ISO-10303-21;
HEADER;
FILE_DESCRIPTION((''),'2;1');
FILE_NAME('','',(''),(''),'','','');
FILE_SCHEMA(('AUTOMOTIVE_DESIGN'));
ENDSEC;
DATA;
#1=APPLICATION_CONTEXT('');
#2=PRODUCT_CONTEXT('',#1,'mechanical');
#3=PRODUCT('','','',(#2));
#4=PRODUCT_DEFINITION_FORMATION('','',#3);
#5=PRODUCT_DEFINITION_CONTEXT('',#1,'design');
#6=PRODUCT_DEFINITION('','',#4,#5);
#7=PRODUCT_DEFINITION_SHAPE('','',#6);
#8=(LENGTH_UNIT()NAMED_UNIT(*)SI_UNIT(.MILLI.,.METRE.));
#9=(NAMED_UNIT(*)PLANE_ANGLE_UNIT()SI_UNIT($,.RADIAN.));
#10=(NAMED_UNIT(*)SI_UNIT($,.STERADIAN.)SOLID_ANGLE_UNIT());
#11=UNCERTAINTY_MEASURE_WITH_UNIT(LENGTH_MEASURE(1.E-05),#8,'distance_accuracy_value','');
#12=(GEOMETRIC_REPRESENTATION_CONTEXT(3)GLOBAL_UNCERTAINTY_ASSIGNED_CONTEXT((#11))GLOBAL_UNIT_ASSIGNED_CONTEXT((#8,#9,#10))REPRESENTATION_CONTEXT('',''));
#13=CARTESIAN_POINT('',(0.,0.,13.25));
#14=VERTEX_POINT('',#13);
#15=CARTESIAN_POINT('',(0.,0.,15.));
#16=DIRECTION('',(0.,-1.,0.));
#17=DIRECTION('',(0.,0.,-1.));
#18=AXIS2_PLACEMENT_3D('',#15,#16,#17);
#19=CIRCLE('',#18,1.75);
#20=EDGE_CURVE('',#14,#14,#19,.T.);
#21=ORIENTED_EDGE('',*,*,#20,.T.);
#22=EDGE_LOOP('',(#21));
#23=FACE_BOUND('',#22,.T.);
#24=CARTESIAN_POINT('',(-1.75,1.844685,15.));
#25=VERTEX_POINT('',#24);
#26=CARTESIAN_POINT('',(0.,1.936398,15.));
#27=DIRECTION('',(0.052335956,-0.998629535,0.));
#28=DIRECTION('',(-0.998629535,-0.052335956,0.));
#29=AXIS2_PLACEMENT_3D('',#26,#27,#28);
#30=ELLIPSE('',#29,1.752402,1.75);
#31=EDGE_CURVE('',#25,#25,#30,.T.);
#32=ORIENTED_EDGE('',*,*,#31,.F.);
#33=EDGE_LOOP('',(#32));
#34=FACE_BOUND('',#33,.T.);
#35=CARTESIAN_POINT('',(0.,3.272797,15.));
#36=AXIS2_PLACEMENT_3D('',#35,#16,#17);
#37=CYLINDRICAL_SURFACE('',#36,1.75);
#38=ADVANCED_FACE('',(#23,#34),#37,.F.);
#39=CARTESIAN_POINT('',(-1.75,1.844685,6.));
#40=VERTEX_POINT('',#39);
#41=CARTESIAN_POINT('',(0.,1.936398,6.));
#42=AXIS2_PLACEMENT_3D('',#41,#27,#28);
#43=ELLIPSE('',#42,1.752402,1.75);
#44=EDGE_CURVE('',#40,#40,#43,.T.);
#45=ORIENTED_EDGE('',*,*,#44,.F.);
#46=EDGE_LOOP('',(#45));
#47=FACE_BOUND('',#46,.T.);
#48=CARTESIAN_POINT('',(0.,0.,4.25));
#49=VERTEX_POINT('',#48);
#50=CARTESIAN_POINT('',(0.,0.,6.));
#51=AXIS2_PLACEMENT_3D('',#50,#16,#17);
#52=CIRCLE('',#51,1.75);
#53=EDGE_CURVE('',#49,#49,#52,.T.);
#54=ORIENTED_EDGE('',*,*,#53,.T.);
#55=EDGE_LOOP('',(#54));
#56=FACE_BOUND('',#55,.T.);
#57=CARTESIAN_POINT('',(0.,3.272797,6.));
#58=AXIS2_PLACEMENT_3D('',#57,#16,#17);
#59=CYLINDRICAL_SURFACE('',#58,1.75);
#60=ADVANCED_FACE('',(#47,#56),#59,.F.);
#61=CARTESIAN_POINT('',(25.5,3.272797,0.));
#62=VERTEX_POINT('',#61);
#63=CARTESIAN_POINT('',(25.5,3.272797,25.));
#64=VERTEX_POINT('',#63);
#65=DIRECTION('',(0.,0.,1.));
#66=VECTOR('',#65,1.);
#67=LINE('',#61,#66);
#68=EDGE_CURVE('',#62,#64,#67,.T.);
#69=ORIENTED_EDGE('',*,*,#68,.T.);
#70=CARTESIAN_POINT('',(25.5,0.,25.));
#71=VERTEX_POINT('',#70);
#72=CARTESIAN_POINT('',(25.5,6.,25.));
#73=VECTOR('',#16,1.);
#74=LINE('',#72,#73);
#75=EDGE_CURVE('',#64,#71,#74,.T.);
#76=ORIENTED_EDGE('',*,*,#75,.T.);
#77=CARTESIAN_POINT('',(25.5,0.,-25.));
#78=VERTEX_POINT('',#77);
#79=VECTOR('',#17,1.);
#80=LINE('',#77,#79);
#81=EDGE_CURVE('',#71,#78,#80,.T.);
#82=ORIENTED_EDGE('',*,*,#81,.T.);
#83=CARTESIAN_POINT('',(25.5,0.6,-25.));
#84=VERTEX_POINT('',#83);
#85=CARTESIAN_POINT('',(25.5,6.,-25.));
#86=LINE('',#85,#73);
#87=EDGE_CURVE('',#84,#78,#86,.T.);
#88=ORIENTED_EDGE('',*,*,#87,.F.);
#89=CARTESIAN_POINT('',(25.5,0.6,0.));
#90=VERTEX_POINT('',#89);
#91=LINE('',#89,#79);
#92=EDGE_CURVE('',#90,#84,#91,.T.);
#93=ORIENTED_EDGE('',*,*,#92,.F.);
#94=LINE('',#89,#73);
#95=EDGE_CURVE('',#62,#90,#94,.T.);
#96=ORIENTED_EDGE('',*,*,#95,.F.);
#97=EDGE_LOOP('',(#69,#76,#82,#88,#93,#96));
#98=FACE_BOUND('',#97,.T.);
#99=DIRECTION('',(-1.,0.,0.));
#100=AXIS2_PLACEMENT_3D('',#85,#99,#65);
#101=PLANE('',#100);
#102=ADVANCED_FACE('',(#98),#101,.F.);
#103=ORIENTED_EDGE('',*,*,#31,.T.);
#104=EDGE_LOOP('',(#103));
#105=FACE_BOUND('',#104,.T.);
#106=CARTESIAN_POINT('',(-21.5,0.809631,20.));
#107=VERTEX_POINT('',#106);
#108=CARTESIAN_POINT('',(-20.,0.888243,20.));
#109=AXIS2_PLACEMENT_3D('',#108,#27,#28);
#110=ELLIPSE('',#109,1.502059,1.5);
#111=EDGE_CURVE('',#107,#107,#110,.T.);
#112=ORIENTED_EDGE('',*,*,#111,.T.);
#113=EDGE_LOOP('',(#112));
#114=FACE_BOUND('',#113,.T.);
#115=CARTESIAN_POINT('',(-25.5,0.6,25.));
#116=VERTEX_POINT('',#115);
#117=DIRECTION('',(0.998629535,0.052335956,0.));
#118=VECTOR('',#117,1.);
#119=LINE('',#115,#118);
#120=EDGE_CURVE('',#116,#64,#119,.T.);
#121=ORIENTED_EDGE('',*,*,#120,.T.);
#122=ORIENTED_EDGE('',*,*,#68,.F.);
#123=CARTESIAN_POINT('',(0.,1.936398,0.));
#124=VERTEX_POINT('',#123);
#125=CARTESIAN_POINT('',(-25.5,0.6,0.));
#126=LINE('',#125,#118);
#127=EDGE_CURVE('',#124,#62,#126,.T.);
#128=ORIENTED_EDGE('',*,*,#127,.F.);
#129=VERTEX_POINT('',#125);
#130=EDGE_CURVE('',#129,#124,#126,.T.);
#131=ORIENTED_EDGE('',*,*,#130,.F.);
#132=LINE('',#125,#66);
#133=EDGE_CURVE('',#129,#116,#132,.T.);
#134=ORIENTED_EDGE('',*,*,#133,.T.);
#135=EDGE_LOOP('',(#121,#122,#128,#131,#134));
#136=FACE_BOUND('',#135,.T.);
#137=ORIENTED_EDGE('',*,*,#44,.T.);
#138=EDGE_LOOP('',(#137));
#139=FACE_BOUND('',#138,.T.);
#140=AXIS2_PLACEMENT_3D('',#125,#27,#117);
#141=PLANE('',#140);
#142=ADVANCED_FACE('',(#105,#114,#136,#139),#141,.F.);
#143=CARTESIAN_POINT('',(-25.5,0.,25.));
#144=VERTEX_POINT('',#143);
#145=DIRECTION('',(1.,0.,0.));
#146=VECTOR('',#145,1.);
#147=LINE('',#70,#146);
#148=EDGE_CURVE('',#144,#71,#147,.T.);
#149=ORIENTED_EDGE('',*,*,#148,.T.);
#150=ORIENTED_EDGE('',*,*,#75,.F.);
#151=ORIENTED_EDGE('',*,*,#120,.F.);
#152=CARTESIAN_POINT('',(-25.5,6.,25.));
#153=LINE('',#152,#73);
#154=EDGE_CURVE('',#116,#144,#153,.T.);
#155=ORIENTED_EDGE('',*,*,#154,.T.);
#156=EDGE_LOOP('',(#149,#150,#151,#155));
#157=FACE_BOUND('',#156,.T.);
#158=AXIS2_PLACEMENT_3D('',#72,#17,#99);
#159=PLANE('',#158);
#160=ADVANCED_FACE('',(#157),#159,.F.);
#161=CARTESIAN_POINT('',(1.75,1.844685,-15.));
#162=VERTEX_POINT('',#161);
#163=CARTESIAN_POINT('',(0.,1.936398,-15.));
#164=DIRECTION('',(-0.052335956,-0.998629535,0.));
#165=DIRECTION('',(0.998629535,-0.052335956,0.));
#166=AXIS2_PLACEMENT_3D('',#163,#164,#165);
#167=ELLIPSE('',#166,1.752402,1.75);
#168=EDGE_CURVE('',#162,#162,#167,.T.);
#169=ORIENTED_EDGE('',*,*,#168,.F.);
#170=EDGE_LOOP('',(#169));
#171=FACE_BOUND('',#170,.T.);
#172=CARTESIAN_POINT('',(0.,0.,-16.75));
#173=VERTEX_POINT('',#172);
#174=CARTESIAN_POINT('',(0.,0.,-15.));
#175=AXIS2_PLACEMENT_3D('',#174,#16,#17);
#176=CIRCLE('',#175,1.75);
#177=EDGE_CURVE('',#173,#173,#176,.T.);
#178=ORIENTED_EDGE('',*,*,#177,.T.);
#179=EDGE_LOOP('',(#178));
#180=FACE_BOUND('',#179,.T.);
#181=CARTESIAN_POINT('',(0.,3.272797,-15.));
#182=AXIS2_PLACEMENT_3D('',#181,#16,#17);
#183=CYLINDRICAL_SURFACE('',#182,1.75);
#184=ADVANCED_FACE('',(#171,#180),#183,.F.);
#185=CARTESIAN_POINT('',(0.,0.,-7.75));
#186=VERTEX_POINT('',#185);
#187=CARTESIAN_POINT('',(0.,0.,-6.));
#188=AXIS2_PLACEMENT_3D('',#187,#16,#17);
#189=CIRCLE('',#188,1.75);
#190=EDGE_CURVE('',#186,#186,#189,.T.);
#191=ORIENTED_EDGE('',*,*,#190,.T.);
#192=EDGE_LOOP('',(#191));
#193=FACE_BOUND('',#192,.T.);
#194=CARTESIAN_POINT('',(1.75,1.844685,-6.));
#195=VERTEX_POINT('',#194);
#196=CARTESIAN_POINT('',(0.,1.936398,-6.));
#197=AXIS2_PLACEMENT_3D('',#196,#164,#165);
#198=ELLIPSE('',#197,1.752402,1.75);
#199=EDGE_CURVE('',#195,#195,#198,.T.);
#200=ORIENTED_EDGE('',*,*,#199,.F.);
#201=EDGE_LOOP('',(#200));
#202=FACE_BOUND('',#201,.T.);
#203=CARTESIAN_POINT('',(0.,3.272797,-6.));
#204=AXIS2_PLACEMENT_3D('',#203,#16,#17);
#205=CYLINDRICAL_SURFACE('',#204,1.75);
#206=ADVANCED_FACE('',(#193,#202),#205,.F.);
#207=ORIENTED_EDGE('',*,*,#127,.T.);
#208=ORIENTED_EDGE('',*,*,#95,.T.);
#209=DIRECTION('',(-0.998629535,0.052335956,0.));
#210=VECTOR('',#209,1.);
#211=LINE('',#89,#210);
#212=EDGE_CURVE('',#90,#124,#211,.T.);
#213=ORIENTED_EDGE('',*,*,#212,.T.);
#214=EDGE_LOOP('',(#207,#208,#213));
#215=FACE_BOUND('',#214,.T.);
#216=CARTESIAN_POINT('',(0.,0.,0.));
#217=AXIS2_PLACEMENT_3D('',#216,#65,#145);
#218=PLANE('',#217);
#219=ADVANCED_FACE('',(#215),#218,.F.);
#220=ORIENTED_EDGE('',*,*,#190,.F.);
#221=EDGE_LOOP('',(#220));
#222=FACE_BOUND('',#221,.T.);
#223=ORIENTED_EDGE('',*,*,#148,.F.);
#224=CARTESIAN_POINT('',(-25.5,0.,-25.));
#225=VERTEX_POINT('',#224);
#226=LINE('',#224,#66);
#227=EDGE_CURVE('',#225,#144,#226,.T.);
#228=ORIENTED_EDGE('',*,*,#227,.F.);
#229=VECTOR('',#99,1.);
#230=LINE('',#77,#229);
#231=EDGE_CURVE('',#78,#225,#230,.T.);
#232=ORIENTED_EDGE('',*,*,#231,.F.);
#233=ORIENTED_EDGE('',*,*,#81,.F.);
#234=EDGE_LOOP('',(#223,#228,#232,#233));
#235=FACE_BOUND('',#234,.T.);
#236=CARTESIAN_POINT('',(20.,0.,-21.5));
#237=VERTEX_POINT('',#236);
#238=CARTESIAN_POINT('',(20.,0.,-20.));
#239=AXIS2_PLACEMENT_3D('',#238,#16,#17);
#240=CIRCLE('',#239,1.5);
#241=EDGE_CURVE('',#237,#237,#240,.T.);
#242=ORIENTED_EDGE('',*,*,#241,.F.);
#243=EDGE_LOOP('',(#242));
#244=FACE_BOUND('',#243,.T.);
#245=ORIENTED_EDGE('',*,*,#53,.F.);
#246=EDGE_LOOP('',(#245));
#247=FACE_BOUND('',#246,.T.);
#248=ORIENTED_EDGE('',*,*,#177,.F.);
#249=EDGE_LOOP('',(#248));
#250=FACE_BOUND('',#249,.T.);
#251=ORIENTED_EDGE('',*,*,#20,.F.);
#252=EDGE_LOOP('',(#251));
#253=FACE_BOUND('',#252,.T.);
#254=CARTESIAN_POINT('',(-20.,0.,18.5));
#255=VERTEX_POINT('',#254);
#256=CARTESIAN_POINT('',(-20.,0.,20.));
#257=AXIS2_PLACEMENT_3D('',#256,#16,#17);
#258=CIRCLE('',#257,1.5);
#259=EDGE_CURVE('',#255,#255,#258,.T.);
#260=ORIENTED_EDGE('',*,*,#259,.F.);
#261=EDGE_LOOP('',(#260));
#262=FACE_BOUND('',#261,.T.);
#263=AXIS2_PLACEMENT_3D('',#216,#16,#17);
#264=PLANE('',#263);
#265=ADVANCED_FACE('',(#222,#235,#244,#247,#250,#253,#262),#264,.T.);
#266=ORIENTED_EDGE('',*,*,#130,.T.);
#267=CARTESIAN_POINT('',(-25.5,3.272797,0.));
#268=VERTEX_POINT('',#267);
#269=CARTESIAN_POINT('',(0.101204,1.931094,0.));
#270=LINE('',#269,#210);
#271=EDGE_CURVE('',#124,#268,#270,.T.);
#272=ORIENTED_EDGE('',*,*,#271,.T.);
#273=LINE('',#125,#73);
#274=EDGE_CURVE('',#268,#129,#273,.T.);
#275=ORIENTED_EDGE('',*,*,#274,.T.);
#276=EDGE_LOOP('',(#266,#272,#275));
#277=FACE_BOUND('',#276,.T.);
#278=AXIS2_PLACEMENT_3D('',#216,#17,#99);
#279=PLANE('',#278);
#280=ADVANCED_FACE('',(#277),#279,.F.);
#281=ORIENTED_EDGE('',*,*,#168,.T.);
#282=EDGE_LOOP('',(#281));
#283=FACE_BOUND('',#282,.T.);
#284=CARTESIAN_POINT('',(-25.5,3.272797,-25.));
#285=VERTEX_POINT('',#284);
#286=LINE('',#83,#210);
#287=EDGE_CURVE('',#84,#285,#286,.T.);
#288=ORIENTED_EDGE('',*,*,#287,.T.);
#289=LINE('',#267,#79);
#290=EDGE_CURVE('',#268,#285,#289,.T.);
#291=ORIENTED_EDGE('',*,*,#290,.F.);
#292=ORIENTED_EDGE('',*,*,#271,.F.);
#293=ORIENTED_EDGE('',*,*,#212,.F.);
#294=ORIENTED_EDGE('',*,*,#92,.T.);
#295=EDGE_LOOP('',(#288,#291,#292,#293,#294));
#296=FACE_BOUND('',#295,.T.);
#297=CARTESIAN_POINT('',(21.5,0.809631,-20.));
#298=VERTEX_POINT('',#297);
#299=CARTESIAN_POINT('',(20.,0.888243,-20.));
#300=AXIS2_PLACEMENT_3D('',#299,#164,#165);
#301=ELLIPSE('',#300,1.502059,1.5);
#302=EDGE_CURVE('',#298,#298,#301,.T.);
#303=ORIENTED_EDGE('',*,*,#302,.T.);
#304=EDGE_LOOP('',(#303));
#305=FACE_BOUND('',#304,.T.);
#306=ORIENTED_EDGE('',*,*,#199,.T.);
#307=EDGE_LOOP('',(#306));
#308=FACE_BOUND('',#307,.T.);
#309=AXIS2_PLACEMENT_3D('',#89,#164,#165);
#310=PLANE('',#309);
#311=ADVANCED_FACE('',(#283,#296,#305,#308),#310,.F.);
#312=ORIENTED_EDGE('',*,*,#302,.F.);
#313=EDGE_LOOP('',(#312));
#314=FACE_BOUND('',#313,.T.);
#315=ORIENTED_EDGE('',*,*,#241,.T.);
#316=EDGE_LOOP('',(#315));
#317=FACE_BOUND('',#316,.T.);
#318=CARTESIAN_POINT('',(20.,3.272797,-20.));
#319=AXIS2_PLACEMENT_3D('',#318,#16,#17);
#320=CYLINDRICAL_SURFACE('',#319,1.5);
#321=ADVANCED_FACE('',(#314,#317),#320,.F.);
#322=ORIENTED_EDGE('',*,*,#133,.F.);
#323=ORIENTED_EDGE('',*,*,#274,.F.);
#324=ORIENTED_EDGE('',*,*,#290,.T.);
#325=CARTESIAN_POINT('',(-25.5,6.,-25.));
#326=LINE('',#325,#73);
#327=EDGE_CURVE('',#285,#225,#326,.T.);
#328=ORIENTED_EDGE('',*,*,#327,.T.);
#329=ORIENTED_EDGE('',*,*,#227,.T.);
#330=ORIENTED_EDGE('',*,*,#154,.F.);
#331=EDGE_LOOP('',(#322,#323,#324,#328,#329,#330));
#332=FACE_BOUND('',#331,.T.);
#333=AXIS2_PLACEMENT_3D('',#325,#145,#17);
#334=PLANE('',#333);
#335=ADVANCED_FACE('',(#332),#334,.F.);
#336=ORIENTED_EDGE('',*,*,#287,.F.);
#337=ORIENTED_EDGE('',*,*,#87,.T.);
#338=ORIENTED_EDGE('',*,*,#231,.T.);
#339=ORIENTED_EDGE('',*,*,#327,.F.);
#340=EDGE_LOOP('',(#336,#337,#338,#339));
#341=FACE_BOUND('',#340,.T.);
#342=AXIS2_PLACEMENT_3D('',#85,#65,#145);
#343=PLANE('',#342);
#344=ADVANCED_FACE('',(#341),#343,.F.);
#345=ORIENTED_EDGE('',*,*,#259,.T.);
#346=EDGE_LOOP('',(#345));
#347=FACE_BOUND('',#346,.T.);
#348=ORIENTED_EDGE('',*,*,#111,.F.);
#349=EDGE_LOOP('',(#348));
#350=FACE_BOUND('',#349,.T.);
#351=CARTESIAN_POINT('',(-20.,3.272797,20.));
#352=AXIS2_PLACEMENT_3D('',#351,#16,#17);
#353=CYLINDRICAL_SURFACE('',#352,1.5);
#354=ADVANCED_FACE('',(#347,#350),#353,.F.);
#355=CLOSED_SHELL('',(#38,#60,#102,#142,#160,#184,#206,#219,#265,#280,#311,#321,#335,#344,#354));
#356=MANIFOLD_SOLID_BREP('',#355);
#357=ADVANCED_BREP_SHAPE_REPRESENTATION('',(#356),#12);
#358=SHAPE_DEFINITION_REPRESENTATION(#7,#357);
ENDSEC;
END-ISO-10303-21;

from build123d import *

# Parameters (mm, degrees)
ESBO_O2_W                  = 51
ESBO_O2_H                  = 50
RESSALTO_EXTRUS_O2_DEPTH   = 6
CORTE_EXTRUS_O1_DEPTH      = 25
CORTE_EXTRUS_O3_DEPTH      = 25
CORTE_EXTRUS_O5_DEPTH      = 36.860301149
CORTE_EXTRUS_O5_DEPTH_BACK = 36.860301149
ESBO_O5_R                  = 1.75
ESBO_O7_R                  = 1.5
CORTE_EXTRUS_O6_DEPTH      = 36.860301149


with BuildPart() as part:
    # Esboço2 → Ressalto-extrusão2 (new body)
    with BuildSketch(Plane(origin=(0, 0, 0), x_dir=(1, 0, 0), z_dir=(0, 1, 0))):
        Rectangle(ESBO_O2_W, ESBO_O2_H)
    extrude(amount=RESSALTO_EXTRUS_O2_DEPTH)

    # Esboço3 → Corte-extrusão1 (cut)
    with BuildSketch(Plane.XY.offset(25)):
        Polygon((-25.5, 0.6), (25.5, 3.272796743), (25.5, 6), (-25.5, 6), align=None)
    extrude(amount=-CORTE_EXTRUS_O1_DEPTH, mode=Mode.SUBTRACT)

    # Esboço4 → Corte-extrusão3 (cut)
    with BuildSketch(Plane(origin=(0, 0, -25), x_dir=(-1, 0, 0), z_dir=(0, 0, -1))):
        Polygon((-25.5, 0.6), (25.5, 3.272796743), (25.5, 6), (-25.5, 6), align=None)
    extrude(amount=-CORTE_EXTRUS_O3_DEPTH, mode=Mode.SUBTRACT)

    # Esboço5 → Corte-extrusão5 (cut, two sides: drawn at the far end of the back side and taken through both)
    with BuildSketch(Plane.XZ.offset(-CORTE_EXTRUS_O5_DEPTH_BACK)):
        with Locations((0, 6)):
            Circle(ESBO_O5_R)
        with Locations((0, 15)):
            Circle(ESBO_O5_R)
        with Locations((0, -15)):
            Circle(ESBO_O5_R)
        with Locations((0, -6)):
            Circle(ESBO_O5_R)
    extrude(amount=CORTE_EXTRUS_O5_DEPTH + CORTE_EXTRUS_O5_DEPTH_BACK, mode=Mode.SUBTRACT)

    # Esboço7 → Corte-extrusão6 (cut, through all)
    with BuildSketch(Plane.XZ):
        with Locations((-20, 20)):
            Circle(ESBO_O7_R)
        with Locations((20, -20)):
            Circle(ESBO_O7_R)
    extrude(amount=-CORTE_EXTRUS_O6_DEPTH, mode=Mode.SUBTRACT)


solid = part.part
